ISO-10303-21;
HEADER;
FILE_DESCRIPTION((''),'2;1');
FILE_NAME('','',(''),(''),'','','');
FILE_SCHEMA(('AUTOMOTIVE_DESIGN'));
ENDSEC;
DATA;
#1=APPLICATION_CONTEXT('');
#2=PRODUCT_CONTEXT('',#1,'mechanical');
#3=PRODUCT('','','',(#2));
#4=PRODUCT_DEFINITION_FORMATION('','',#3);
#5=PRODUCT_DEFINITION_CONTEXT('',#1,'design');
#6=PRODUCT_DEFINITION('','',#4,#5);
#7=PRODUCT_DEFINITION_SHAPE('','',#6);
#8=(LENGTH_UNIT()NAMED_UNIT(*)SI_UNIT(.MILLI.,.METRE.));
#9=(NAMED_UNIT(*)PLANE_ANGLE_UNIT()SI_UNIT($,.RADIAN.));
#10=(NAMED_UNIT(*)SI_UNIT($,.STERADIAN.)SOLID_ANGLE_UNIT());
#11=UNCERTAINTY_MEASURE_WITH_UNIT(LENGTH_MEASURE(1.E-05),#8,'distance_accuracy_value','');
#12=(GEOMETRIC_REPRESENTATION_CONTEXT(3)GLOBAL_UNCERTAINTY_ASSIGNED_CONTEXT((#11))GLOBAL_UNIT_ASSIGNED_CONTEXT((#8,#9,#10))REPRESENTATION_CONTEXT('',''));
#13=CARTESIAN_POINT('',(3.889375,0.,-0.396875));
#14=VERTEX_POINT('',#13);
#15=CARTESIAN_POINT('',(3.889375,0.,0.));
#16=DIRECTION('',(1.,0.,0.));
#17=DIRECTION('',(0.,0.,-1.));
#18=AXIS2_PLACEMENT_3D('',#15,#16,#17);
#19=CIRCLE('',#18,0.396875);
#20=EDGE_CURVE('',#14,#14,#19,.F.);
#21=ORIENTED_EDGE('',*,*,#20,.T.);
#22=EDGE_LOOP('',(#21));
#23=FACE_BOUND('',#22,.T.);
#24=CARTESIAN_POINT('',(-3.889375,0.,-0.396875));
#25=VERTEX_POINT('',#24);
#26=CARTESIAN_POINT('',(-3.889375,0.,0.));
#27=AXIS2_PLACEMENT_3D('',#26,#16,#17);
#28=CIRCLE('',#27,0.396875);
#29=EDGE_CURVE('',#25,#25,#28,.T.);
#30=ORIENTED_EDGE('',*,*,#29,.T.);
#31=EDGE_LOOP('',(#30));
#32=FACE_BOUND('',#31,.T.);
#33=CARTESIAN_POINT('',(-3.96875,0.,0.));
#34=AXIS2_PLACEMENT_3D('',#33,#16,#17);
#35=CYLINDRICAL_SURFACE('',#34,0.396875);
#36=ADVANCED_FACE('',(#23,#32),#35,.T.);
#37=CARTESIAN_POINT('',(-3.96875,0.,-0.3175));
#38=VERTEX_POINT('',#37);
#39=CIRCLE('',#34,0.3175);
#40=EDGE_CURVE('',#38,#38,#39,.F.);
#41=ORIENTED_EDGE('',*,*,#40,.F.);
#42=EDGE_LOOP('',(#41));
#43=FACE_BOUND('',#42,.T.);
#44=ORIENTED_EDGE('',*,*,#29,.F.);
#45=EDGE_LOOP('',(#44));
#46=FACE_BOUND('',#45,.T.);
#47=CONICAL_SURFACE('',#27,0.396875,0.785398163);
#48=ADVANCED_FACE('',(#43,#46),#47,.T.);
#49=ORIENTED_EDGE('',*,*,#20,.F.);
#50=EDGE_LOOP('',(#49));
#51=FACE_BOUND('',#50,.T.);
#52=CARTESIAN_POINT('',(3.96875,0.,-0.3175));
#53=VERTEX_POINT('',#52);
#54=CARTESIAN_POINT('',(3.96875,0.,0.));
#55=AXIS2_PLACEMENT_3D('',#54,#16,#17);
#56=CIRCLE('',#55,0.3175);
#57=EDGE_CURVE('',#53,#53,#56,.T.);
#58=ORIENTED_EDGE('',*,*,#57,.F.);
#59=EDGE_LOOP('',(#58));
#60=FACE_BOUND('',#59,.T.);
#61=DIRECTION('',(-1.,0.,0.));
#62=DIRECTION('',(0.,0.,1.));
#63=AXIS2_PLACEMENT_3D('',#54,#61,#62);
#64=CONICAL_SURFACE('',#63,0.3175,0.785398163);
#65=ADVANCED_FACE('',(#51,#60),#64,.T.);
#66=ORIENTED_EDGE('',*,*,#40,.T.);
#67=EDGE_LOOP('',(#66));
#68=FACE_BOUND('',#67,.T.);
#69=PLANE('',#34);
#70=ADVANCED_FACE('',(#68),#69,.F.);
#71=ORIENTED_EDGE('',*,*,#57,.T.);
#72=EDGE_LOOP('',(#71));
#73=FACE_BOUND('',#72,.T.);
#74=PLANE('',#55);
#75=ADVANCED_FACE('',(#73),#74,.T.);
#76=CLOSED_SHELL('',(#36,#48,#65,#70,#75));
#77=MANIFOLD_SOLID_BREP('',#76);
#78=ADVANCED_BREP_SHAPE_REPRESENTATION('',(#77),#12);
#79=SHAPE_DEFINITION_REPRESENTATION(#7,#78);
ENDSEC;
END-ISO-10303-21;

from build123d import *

# Parameters (mm, degrees)
EXTRUDE1_DEPTH      = 3.96875
EXTRUDE1_DEPTH_BACK = 3.96875
SKETCH2_R           = 0.396875
CHAMFER1_SIZE       = 0.079375


with BuildPart() as part:
    # Sketch2 → Extrude1 (new, two sides: drawn at the far end of the back side and taken through both)
    with BuildSketch(Plane(origin=(0, 0, 0), x_dir=(0, 0, -1), z_dir=(1, 0, 0)).offset(-EXTRUDE1_DEPTH_BACK)):
        Circle(SKETCH2_R)
    extrude(amount=EXTRUDE1_DEPTH + EXTRUDE1_DEPTH_BACK)

    # Chamfer1
    chamfer1_edges = [part.edges().sort_by_distance(p)[0] for p in [
        (-3.96875, 0, 0.396875),
        (3.96875, 0, 0.396875),
    ]]
    chamfer(chamfer1_edges, length=CHAMFER1_SIZE)


solid = part.part
